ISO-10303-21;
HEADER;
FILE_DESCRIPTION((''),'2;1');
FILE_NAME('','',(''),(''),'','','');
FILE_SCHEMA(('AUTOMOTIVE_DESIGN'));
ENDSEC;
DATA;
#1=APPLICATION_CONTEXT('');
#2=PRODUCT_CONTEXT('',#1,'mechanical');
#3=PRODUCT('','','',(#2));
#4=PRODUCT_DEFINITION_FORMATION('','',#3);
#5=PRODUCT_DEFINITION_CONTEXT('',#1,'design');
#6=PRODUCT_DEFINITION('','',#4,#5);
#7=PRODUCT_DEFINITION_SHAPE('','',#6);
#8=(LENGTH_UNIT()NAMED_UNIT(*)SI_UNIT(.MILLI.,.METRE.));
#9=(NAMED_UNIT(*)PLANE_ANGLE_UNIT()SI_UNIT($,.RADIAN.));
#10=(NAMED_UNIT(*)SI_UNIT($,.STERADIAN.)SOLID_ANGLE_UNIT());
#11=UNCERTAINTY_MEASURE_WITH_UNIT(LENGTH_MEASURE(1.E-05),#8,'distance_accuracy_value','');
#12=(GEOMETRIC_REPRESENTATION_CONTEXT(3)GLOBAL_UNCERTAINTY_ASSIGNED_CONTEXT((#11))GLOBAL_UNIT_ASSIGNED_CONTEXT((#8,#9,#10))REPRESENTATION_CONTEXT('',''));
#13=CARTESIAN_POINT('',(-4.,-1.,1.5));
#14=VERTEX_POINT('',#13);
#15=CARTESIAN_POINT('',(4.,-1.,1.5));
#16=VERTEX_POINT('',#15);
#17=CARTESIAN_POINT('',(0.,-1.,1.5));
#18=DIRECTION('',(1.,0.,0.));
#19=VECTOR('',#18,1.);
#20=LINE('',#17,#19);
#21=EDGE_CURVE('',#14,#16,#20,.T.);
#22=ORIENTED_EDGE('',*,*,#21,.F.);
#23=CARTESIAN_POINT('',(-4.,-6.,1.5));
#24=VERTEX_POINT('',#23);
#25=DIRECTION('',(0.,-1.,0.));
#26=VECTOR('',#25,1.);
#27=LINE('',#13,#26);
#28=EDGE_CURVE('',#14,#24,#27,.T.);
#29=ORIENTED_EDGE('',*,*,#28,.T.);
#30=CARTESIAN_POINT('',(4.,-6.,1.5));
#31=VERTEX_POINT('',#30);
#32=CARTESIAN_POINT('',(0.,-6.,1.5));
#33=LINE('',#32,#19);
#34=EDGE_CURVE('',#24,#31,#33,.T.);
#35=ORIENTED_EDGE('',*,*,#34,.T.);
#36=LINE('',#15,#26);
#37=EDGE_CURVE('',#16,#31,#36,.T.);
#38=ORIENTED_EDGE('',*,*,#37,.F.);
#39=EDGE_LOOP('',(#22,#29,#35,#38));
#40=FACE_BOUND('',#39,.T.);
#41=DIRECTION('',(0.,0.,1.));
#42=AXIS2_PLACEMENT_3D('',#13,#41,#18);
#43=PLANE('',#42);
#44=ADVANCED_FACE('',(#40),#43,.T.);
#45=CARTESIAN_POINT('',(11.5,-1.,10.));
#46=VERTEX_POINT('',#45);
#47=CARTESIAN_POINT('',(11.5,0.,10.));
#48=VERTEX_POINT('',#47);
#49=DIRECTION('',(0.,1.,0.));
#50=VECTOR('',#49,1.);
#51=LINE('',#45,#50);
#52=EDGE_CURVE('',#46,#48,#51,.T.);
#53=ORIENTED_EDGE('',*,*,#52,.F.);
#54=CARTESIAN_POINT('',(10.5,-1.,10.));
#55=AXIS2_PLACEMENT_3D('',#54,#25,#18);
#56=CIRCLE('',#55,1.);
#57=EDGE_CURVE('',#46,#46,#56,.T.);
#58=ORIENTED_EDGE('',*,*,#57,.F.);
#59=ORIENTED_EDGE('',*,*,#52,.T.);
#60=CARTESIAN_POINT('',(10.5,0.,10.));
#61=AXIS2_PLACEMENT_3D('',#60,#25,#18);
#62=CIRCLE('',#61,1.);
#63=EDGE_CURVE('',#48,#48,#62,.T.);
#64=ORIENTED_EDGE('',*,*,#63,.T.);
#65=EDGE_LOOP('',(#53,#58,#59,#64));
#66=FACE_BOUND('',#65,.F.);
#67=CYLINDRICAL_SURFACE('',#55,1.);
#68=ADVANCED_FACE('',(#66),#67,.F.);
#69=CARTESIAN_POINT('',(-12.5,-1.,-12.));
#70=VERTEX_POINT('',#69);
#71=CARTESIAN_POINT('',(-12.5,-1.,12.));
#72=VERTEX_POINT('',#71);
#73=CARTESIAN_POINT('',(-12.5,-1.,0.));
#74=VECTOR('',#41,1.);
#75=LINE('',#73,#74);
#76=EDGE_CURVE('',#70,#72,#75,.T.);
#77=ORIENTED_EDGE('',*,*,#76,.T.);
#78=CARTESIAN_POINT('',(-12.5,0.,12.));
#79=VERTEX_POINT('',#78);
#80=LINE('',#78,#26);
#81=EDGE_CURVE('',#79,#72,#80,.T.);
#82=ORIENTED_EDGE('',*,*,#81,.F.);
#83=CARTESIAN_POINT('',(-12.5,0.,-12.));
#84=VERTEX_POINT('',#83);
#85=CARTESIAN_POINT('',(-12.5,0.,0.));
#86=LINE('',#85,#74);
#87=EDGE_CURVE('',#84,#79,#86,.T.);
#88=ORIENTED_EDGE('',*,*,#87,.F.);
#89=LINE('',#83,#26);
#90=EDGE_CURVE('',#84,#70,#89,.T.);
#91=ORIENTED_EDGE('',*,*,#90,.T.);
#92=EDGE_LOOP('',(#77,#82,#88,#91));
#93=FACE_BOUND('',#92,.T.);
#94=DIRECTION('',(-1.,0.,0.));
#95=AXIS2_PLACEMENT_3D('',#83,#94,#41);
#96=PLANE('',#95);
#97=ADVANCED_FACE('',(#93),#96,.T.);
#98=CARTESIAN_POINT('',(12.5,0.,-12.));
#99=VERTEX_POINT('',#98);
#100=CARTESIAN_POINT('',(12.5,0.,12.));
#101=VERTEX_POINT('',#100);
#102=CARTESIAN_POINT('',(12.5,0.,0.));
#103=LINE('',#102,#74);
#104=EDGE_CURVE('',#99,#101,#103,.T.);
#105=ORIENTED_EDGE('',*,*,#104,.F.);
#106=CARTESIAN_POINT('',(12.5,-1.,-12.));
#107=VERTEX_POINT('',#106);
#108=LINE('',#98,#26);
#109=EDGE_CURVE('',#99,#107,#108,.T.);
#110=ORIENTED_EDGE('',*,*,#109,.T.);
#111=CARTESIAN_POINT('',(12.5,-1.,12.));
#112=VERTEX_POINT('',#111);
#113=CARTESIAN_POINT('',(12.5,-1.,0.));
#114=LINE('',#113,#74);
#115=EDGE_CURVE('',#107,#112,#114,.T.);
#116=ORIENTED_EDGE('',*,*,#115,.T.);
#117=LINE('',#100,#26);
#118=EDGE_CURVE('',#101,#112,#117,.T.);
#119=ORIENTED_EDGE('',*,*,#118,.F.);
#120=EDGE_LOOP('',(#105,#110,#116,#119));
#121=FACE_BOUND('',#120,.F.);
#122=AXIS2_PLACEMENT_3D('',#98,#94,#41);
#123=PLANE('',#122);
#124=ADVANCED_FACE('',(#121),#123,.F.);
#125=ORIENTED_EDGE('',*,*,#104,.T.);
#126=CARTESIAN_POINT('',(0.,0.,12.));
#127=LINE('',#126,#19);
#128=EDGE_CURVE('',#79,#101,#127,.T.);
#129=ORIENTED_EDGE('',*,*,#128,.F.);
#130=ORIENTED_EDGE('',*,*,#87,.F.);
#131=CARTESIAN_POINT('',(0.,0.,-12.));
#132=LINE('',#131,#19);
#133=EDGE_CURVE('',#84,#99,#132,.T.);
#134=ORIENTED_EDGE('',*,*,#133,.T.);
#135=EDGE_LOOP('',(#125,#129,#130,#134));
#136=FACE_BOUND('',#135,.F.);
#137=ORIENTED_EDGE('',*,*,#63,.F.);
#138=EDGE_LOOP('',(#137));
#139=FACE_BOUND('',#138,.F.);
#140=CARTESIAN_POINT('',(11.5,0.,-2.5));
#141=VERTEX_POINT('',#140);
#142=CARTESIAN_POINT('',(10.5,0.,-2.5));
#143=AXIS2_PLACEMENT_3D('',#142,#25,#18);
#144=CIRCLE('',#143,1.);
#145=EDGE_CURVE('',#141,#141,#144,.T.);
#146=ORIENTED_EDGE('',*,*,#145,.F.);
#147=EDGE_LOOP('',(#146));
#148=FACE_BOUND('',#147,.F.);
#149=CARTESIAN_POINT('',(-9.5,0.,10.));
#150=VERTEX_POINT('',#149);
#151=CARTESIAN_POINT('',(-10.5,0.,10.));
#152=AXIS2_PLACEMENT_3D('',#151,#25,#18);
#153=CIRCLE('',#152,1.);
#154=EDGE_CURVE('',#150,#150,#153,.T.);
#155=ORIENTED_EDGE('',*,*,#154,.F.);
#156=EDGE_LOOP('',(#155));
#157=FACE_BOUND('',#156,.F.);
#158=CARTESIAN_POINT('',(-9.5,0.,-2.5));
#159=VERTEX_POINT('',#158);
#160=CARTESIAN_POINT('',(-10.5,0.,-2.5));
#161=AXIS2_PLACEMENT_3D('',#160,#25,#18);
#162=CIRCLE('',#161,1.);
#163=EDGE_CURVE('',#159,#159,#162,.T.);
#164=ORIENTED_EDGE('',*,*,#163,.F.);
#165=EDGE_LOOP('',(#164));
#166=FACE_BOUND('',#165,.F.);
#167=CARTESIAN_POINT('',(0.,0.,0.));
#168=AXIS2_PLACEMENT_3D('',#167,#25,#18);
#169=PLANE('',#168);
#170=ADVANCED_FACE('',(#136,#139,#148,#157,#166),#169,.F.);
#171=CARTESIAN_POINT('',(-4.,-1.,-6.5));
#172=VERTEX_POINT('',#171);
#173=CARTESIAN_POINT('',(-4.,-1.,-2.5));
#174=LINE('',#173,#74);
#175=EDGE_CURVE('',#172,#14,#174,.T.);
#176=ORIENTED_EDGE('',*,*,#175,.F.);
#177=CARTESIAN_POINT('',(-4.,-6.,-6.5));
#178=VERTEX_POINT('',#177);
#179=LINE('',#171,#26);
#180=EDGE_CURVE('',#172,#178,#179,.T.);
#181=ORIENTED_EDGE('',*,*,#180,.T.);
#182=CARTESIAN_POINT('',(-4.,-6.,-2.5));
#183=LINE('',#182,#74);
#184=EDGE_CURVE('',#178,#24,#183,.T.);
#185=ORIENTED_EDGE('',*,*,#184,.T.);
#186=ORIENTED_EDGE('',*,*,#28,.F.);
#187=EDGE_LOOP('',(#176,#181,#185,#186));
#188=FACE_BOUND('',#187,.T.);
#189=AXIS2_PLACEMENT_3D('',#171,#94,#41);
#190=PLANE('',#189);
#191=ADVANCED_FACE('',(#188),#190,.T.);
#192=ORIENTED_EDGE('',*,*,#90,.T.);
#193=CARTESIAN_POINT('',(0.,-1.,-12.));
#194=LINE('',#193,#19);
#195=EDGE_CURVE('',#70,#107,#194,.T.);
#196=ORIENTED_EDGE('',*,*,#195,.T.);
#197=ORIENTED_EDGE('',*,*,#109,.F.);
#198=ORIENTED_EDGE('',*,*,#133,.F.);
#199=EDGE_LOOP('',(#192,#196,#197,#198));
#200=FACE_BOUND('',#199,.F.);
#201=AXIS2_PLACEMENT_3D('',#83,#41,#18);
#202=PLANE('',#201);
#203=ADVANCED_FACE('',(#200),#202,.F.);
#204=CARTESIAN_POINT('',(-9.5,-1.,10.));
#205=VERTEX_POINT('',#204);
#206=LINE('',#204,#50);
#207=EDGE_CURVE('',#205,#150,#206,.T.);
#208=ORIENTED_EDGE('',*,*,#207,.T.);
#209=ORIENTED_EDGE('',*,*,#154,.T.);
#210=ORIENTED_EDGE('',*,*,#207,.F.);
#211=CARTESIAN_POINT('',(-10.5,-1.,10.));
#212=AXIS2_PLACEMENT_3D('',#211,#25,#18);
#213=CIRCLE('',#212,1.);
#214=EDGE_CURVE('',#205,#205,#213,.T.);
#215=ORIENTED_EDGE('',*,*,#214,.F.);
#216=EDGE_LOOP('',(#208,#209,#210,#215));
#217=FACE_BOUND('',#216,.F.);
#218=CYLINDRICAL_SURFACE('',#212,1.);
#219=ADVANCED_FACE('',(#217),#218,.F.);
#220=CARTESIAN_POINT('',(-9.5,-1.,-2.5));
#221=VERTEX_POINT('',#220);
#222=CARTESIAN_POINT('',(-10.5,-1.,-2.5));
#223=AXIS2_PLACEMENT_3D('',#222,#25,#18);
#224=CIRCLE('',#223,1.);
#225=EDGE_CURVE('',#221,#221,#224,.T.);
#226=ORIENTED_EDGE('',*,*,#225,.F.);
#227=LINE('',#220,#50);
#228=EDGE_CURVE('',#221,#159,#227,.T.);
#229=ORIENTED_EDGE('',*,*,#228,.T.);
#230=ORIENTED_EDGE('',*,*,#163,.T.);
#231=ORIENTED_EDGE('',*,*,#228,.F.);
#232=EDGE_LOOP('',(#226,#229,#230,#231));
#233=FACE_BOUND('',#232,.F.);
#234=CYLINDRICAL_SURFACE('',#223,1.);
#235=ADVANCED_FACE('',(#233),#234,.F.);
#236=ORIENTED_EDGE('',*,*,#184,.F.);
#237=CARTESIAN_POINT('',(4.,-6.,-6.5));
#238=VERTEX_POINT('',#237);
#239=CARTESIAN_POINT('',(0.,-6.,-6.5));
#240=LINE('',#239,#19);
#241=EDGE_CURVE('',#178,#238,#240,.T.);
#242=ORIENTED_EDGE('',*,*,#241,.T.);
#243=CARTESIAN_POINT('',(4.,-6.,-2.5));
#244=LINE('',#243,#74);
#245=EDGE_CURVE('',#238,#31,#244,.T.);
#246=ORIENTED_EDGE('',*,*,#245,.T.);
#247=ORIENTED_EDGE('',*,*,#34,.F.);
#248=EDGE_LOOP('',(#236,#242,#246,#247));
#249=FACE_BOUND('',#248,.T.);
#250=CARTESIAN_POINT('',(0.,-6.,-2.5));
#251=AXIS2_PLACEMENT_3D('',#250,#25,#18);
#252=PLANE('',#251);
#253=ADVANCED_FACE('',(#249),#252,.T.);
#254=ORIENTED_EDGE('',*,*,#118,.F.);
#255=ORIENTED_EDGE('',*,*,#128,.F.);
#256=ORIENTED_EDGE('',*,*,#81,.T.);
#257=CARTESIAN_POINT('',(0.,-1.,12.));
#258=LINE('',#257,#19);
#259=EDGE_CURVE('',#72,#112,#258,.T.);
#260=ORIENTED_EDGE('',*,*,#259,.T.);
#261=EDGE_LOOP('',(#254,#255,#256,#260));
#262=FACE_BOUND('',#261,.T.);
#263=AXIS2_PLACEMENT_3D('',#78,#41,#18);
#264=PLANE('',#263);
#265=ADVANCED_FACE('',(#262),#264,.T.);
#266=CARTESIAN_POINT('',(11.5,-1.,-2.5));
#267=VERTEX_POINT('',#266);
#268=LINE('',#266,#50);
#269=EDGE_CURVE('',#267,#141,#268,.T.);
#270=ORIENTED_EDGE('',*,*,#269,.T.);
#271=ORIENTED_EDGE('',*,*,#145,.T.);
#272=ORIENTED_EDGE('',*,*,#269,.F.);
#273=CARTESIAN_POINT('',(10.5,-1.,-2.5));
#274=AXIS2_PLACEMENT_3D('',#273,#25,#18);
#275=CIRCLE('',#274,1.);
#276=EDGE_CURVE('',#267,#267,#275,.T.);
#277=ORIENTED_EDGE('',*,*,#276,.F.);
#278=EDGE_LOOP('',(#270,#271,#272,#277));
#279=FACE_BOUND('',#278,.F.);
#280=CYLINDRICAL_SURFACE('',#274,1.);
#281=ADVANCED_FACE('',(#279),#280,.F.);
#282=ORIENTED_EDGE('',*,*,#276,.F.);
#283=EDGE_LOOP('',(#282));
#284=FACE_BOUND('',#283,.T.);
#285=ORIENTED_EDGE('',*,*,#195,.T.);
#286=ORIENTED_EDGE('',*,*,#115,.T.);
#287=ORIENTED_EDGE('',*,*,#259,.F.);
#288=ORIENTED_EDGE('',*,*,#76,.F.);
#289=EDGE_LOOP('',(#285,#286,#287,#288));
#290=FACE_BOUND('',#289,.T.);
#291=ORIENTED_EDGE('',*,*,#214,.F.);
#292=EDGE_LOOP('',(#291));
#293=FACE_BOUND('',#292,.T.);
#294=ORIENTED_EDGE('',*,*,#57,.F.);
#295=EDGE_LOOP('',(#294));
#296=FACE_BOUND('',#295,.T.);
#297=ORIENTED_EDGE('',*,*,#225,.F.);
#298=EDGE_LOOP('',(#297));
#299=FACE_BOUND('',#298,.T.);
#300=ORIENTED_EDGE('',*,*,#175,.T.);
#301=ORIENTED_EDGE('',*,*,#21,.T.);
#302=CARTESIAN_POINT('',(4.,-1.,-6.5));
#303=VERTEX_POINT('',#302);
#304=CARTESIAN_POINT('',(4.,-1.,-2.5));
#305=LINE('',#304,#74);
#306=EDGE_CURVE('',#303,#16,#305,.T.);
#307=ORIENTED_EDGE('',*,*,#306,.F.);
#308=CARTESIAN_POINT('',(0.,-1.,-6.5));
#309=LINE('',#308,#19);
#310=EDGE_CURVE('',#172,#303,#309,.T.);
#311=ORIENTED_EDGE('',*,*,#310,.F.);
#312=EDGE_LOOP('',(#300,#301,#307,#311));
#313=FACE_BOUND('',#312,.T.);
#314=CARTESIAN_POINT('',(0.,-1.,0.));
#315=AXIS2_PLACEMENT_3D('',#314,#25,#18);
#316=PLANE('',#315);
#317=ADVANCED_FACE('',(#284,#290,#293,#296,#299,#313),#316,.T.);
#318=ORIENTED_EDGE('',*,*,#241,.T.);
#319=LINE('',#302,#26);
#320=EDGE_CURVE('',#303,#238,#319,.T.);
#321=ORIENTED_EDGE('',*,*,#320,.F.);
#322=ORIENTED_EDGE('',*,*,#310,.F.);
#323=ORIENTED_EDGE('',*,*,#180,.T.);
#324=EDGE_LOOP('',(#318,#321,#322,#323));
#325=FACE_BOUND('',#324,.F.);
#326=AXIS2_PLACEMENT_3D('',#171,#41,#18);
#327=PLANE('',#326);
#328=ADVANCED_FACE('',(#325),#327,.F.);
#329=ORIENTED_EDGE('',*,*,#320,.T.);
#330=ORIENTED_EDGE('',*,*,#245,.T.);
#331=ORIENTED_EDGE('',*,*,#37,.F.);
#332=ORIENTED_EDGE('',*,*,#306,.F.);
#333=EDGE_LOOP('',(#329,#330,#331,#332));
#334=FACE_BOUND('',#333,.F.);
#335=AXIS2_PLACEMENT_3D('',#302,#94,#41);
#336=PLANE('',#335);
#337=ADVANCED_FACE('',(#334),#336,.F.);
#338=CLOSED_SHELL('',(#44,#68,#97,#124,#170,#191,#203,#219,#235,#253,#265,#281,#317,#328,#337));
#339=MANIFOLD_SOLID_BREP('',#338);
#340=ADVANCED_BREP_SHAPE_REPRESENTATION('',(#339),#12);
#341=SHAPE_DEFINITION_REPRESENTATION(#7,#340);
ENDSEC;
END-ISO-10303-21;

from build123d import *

# Parameters (mm, degrees)
F0_W     = 25
F0_H     = 24
F1_DEPTH = 1
F2_W     = 8
F2_H     = 8
F3_DEPTH = 5
F4_R     = 1
F5_DEPTH = 1.001


with BuildPart() as f1:
    # F0 (on Front) → F1 (new body)
    with BuildSketch(Plane.XZ):
        Rectangle(F0_W, F0_H)
    extrude(amount=F1_DEPTH)

    # F2 (on face) → F3 (join)
    with BuildSketch(Plane.XZ.offset(1)):
        with Locations((0, -2.5)):
            Rectangle(F2_W, F2_H)
    extrude(amount=F3_DEPTH)

    # F4 (on face) → F5 (cut, through all)
    with BuildSketch(Plane.XZ.offset(1)):
        with Locations((10.5, 10)):
            Circle(F4_R)
        with Locations((-10.5, 10)):
            Circle(F4_R)
        with Locations((-10.5, -2.5)):
            Circle(F4_R)
        with Locations((10.5, -2.5)):
            Circle(F4_R)
    extrude(amount=-F5_DEPTH, mode=Mode.SUBTRACT)


solid = f1.part
